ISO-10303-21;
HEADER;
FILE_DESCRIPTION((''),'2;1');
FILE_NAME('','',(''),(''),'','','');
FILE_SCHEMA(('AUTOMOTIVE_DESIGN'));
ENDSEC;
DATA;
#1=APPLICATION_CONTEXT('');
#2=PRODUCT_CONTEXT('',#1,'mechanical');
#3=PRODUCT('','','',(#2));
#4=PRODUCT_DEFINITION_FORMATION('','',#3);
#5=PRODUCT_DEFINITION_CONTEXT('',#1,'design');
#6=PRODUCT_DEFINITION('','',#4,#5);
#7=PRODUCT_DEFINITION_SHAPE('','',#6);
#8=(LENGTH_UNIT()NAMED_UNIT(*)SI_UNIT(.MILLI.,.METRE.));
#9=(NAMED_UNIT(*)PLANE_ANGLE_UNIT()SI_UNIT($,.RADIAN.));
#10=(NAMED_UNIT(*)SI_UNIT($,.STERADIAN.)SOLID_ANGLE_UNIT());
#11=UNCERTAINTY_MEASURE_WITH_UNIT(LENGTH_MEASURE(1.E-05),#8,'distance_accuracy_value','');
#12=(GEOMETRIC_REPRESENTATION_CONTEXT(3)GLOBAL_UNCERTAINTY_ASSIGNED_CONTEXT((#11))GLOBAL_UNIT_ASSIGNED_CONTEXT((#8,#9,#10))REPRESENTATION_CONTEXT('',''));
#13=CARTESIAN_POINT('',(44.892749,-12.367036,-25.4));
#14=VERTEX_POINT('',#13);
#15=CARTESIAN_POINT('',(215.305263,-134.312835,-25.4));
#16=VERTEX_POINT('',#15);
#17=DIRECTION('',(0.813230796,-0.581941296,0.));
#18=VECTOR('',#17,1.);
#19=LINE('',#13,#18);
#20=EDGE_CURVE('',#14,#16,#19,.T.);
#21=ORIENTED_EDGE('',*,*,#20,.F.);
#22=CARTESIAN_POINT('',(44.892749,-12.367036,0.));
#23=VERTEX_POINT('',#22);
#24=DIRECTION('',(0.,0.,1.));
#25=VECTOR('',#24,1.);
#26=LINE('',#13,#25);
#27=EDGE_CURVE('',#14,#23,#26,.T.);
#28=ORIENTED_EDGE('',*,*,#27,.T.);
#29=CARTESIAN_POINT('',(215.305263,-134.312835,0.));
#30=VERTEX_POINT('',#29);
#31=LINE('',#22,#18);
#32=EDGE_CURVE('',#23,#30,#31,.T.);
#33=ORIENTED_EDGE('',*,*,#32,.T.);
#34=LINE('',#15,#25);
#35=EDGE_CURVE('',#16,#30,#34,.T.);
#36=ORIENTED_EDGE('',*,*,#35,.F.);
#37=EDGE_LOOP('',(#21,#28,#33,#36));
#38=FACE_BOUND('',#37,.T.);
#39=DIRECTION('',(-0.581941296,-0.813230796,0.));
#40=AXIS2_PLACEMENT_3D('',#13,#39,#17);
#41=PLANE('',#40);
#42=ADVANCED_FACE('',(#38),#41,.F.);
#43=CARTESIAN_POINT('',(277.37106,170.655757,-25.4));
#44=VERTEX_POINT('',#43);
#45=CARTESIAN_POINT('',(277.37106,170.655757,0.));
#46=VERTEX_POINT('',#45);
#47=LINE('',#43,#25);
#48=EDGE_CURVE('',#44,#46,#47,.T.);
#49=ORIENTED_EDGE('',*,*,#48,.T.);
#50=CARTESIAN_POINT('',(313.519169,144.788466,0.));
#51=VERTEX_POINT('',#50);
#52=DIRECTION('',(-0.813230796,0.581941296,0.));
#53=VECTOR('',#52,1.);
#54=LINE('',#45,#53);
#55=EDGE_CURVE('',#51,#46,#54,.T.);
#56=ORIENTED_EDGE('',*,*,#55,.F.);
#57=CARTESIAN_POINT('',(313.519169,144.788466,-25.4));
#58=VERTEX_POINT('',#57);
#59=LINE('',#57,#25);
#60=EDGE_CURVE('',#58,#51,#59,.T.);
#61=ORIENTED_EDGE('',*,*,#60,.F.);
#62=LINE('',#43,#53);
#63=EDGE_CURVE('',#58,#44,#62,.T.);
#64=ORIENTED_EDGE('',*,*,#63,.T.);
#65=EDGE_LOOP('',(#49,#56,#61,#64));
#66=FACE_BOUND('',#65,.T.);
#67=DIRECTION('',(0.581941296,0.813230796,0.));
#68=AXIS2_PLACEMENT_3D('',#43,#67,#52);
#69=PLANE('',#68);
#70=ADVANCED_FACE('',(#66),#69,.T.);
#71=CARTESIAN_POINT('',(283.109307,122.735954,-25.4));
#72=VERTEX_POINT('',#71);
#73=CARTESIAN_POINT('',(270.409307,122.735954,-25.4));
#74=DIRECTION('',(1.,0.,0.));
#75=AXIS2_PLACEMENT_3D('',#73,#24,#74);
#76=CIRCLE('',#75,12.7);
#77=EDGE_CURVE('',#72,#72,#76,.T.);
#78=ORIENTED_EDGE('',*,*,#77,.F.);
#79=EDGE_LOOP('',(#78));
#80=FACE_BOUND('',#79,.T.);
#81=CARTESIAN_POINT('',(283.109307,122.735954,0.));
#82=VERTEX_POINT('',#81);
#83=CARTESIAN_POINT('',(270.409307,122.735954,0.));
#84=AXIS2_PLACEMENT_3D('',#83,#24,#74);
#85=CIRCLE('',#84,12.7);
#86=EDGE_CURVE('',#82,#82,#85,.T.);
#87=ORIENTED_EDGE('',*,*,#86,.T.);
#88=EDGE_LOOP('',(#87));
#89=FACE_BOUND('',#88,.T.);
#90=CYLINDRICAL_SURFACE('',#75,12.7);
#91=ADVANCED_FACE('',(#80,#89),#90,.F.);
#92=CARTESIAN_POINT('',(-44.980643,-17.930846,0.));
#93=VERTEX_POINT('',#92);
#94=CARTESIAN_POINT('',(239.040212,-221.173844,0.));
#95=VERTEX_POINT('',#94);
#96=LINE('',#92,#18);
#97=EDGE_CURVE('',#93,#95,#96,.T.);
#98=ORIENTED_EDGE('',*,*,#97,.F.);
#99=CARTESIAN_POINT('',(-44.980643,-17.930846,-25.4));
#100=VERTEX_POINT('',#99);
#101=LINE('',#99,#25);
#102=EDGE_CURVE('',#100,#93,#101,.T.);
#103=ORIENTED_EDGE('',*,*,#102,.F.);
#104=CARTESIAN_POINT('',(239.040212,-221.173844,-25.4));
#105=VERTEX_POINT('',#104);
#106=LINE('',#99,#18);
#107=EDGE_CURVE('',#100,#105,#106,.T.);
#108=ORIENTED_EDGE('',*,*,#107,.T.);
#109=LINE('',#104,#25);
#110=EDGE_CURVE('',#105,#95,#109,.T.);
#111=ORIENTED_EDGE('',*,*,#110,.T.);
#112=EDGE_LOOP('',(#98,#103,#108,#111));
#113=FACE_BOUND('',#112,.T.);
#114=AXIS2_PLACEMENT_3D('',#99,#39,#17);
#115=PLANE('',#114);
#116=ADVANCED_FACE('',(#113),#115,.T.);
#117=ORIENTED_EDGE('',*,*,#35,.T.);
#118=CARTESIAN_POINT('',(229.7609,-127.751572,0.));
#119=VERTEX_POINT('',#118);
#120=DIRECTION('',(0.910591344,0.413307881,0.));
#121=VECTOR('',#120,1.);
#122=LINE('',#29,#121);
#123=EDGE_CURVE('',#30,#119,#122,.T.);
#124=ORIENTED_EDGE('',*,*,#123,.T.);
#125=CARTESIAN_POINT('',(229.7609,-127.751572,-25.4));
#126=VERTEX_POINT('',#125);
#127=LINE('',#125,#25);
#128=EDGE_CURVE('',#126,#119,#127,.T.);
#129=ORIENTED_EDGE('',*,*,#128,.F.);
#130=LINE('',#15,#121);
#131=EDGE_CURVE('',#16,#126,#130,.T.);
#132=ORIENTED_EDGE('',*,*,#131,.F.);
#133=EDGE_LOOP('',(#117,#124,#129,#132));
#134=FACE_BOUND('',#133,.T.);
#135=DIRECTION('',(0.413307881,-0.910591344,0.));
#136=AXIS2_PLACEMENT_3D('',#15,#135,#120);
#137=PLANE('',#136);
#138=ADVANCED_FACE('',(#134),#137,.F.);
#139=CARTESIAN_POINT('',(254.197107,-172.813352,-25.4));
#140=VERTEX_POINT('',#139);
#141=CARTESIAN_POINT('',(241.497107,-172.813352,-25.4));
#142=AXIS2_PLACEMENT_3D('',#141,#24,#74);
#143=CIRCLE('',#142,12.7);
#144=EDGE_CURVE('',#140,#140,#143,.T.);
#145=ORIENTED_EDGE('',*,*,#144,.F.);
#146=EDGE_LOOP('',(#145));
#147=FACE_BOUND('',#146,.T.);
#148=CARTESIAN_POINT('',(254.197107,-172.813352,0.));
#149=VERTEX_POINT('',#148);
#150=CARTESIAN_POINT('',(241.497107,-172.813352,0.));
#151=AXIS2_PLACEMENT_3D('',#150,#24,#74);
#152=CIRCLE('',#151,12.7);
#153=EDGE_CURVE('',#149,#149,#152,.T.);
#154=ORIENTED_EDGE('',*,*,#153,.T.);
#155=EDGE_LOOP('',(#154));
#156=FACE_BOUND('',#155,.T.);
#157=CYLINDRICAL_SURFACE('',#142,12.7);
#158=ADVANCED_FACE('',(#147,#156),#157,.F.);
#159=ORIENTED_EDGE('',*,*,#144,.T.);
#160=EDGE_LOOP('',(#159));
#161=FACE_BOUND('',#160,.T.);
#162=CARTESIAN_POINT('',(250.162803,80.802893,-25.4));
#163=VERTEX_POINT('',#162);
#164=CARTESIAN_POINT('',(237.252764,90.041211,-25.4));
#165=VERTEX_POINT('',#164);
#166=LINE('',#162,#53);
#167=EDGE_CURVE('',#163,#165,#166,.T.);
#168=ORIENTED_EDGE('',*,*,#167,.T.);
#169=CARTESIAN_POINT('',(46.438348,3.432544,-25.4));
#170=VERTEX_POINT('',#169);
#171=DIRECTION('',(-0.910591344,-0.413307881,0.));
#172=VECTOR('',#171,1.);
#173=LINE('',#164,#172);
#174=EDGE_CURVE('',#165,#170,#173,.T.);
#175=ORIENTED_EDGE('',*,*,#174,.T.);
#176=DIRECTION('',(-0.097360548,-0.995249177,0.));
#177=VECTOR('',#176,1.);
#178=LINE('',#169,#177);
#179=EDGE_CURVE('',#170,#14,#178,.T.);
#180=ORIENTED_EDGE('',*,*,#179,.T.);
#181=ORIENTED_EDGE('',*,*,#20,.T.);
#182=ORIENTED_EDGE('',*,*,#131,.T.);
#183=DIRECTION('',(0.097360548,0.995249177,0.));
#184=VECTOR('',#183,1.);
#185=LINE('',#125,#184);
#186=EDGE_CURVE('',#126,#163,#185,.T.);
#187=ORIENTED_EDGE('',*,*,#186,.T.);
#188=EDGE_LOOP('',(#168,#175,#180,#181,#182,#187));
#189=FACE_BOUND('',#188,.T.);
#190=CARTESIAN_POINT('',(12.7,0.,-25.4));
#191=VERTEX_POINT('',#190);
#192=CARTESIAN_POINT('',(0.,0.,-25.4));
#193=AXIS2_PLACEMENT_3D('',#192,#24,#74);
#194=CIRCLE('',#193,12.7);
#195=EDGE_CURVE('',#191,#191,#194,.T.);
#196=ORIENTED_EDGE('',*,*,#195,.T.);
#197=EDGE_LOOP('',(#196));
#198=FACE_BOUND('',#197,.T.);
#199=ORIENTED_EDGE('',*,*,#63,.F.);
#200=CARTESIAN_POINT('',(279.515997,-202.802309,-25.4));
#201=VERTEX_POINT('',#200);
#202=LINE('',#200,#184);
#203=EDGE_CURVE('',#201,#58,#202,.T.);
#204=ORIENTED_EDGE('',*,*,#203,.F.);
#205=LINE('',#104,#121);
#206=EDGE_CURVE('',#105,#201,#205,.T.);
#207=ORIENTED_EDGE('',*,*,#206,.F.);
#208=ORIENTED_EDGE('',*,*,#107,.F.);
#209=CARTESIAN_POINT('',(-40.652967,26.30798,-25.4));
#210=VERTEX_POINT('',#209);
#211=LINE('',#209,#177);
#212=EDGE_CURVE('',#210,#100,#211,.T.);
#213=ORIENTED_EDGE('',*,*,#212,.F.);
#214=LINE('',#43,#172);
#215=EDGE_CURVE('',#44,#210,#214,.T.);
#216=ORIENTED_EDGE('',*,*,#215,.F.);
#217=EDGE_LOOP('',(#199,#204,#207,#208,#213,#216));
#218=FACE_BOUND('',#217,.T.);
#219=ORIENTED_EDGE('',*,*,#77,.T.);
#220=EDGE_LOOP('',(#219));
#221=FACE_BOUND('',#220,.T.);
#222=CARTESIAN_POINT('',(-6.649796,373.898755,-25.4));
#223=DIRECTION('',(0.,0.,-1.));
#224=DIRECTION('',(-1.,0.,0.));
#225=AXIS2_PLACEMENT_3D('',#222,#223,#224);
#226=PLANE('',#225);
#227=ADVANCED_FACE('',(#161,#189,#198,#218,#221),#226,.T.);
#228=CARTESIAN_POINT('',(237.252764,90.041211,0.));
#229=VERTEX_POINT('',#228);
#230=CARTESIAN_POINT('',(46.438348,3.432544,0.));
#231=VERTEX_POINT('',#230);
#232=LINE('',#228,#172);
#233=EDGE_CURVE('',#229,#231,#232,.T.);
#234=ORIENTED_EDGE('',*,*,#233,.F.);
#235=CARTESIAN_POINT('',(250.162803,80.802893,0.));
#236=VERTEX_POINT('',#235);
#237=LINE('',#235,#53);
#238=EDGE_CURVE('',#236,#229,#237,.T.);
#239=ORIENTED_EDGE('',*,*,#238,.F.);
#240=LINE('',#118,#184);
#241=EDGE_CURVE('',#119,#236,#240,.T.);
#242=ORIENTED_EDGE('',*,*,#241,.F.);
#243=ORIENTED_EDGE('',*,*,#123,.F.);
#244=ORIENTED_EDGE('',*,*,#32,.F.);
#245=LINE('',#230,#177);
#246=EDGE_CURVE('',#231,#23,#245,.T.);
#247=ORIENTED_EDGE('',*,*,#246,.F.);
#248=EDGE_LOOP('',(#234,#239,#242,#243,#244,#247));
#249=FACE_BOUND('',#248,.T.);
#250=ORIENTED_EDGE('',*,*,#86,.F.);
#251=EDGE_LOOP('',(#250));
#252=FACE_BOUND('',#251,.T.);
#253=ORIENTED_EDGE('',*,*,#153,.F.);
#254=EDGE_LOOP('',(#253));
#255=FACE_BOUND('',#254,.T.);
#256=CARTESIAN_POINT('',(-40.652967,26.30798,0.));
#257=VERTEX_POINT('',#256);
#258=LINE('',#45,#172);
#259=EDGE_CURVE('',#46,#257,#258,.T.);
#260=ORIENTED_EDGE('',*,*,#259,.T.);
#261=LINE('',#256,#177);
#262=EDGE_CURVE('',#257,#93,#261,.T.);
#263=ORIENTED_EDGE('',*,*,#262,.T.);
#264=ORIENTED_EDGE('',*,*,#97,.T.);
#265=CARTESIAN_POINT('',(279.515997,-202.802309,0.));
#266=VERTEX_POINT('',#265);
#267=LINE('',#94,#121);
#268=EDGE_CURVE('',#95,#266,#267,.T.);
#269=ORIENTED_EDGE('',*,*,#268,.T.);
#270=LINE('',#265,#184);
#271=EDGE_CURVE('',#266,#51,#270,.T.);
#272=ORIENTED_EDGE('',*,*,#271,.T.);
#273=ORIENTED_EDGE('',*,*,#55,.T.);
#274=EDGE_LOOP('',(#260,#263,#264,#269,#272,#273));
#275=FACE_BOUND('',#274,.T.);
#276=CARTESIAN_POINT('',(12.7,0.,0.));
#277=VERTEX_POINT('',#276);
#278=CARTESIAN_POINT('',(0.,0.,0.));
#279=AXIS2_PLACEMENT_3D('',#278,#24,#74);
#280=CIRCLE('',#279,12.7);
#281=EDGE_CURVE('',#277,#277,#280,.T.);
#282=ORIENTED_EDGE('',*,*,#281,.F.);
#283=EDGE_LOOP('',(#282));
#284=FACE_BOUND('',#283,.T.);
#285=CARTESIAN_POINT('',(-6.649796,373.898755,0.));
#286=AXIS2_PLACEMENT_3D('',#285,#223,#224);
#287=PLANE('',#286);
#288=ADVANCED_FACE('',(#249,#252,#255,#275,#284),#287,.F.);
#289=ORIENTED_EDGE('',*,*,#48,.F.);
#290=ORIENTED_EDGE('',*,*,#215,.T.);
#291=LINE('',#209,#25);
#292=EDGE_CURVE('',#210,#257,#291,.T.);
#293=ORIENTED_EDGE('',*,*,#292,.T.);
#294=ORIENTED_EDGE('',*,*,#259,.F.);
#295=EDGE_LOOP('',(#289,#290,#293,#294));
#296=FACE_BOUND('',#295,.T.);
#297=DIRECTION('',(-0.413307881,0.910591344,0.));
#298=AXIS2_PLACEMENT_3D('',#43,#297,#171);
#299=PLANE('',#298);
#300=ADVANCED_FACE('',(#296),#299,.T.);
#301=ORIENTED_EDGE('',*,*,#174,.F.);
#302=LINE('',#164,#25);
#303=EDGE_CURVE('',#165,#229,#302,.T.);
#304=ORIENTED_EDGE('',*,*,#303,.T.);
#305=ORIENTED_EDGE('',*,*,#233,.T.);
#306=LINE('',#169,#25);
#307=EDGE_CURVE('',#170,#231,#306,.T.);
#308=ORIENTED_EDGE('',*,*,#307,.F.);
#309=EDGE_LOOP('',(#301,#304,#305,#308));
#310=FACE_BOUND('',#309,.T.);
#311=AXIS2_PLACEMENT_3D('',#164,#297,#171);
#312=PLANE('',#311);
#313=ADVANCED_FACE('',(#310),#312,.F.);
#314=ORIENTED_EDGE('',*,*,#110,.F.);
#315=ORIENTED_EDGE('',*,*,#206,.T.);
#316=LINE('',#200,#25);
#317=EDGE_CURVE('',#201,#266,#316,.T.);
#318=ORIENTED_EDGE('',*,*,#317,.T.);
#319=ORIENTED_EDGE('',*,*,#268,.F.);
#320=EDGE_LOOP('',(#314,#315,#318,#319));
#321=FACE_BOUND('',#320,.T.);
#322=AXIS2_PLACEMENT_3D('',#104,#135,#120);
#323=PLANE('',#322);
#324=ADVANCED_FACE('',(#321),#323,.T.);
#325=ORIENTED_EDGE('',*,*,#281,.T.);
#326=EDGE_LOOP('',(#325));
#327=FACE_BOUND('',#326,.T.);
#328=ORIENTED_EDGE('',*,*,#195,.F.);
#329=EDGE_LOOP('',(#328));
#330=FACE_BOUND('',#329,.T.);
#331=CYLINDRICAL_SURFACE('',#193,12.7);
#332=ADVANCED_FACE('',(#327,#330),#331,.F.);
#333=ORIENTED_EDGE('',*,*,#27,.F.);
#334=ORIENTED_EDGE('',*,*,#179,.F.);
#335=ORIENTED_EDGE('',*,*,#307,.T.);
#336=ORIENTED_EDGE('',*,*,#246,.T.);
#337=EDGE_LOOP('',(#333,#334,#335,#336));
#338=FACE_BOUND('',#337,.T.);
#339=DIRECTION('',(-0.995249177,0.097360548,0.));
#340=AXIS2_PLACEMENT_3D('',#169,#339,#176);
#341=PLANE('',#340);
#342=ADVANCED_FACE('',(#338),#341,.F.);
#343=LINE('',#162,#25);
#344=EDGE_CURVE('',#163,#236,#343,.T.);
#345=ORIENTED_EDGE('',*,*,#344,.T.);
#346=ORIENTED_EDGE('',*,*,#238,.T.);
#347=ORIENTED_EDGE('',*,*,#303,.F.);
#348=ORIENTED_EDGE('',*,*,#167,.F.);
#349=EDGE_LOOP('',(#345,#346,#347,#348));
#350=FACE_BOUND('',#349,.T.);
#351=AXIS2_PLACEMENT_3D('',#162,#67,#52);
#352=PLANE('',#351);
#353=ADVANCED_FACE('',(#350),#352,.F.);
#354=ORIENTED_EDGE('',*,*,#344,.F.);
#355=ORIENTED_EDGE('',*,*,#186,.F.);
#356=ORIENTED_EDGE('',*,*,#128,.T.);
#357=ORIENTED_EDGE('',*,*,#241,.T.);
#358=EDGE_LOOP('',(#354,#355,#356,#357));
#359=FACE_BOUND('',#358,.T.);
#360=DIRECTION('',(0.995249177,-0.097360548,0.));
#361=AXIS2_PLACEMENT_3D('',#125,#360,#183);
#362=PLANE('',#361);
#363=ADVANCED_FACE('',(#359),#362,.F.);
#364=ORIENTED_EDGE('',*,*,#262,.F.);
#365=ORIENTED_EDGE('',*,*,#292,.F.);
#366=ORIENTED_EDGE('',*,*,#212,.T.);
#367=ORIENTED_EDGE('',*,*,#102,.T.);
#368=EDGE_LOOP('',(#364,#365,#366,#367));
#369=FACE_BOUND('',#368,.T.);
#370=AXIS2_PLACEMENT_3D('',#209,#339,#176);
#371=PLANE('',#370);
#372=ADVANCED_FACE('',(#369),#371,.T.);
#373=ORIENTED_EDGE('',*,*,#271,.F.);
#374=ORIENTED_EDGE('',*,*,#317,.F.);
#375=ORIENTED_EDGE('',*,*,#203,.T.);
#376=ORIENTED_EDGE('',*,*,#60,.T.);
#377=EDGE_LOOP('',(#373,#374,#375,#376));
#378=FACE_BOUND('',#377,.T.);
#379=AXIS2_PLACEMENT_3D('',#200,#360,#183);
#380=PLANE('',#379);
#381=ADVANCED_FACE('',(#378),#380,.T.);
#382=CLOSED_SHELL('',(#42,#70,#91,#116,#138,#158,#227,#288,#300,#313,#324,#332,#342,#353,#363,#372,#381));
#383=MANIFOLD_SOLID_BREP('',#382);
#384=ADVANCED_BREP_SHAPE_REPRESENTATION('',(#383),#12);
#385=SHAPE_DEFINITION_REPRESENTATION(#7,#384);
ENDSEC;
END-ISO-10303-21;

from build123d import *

# Parameters (mm, degrees)
SKETCH1_R      = 12.7
EXTRUDE1_DEPTH = 25.4


with BuildPart() as part:
    # Sketch1 → Extrude1 (new body)
    with BuildSketch(Plane.XY):
        Polygon((-44.980643346, -17.930846203), (239.040212224, -221.173843873), (279.515997466, -202.802308581), (313.519168805, 144.788466381), (277.371059915, 170.655756994), (-40.652966993, 26.307979701), align=None)
        Circle(SKETCH1_R, mode=Mode.SUBTRACT)
        with Locations((270.409306565, 122.735954077)):
            Circle(SKETCH1_R, mode=Mode.SUBTRACT)
        with Locations((241.497107471, -172.813351867)):
            Circle(SKETCH1_R, mode=Mode.SUBTRACT)
        Polygon((44.892749422, -12.367036283), (215.305262763, -134.312834884), (229.76090035, -127.75157228), (250.162803153, 80.802892697), (237.252764264, 90.041210773), (46.438348119, 3.432544398), align=None, mode=Mode.SUBTRACT)
    extrude(amount=-EXTRUDE1_DEPTH)


solid = part.part
